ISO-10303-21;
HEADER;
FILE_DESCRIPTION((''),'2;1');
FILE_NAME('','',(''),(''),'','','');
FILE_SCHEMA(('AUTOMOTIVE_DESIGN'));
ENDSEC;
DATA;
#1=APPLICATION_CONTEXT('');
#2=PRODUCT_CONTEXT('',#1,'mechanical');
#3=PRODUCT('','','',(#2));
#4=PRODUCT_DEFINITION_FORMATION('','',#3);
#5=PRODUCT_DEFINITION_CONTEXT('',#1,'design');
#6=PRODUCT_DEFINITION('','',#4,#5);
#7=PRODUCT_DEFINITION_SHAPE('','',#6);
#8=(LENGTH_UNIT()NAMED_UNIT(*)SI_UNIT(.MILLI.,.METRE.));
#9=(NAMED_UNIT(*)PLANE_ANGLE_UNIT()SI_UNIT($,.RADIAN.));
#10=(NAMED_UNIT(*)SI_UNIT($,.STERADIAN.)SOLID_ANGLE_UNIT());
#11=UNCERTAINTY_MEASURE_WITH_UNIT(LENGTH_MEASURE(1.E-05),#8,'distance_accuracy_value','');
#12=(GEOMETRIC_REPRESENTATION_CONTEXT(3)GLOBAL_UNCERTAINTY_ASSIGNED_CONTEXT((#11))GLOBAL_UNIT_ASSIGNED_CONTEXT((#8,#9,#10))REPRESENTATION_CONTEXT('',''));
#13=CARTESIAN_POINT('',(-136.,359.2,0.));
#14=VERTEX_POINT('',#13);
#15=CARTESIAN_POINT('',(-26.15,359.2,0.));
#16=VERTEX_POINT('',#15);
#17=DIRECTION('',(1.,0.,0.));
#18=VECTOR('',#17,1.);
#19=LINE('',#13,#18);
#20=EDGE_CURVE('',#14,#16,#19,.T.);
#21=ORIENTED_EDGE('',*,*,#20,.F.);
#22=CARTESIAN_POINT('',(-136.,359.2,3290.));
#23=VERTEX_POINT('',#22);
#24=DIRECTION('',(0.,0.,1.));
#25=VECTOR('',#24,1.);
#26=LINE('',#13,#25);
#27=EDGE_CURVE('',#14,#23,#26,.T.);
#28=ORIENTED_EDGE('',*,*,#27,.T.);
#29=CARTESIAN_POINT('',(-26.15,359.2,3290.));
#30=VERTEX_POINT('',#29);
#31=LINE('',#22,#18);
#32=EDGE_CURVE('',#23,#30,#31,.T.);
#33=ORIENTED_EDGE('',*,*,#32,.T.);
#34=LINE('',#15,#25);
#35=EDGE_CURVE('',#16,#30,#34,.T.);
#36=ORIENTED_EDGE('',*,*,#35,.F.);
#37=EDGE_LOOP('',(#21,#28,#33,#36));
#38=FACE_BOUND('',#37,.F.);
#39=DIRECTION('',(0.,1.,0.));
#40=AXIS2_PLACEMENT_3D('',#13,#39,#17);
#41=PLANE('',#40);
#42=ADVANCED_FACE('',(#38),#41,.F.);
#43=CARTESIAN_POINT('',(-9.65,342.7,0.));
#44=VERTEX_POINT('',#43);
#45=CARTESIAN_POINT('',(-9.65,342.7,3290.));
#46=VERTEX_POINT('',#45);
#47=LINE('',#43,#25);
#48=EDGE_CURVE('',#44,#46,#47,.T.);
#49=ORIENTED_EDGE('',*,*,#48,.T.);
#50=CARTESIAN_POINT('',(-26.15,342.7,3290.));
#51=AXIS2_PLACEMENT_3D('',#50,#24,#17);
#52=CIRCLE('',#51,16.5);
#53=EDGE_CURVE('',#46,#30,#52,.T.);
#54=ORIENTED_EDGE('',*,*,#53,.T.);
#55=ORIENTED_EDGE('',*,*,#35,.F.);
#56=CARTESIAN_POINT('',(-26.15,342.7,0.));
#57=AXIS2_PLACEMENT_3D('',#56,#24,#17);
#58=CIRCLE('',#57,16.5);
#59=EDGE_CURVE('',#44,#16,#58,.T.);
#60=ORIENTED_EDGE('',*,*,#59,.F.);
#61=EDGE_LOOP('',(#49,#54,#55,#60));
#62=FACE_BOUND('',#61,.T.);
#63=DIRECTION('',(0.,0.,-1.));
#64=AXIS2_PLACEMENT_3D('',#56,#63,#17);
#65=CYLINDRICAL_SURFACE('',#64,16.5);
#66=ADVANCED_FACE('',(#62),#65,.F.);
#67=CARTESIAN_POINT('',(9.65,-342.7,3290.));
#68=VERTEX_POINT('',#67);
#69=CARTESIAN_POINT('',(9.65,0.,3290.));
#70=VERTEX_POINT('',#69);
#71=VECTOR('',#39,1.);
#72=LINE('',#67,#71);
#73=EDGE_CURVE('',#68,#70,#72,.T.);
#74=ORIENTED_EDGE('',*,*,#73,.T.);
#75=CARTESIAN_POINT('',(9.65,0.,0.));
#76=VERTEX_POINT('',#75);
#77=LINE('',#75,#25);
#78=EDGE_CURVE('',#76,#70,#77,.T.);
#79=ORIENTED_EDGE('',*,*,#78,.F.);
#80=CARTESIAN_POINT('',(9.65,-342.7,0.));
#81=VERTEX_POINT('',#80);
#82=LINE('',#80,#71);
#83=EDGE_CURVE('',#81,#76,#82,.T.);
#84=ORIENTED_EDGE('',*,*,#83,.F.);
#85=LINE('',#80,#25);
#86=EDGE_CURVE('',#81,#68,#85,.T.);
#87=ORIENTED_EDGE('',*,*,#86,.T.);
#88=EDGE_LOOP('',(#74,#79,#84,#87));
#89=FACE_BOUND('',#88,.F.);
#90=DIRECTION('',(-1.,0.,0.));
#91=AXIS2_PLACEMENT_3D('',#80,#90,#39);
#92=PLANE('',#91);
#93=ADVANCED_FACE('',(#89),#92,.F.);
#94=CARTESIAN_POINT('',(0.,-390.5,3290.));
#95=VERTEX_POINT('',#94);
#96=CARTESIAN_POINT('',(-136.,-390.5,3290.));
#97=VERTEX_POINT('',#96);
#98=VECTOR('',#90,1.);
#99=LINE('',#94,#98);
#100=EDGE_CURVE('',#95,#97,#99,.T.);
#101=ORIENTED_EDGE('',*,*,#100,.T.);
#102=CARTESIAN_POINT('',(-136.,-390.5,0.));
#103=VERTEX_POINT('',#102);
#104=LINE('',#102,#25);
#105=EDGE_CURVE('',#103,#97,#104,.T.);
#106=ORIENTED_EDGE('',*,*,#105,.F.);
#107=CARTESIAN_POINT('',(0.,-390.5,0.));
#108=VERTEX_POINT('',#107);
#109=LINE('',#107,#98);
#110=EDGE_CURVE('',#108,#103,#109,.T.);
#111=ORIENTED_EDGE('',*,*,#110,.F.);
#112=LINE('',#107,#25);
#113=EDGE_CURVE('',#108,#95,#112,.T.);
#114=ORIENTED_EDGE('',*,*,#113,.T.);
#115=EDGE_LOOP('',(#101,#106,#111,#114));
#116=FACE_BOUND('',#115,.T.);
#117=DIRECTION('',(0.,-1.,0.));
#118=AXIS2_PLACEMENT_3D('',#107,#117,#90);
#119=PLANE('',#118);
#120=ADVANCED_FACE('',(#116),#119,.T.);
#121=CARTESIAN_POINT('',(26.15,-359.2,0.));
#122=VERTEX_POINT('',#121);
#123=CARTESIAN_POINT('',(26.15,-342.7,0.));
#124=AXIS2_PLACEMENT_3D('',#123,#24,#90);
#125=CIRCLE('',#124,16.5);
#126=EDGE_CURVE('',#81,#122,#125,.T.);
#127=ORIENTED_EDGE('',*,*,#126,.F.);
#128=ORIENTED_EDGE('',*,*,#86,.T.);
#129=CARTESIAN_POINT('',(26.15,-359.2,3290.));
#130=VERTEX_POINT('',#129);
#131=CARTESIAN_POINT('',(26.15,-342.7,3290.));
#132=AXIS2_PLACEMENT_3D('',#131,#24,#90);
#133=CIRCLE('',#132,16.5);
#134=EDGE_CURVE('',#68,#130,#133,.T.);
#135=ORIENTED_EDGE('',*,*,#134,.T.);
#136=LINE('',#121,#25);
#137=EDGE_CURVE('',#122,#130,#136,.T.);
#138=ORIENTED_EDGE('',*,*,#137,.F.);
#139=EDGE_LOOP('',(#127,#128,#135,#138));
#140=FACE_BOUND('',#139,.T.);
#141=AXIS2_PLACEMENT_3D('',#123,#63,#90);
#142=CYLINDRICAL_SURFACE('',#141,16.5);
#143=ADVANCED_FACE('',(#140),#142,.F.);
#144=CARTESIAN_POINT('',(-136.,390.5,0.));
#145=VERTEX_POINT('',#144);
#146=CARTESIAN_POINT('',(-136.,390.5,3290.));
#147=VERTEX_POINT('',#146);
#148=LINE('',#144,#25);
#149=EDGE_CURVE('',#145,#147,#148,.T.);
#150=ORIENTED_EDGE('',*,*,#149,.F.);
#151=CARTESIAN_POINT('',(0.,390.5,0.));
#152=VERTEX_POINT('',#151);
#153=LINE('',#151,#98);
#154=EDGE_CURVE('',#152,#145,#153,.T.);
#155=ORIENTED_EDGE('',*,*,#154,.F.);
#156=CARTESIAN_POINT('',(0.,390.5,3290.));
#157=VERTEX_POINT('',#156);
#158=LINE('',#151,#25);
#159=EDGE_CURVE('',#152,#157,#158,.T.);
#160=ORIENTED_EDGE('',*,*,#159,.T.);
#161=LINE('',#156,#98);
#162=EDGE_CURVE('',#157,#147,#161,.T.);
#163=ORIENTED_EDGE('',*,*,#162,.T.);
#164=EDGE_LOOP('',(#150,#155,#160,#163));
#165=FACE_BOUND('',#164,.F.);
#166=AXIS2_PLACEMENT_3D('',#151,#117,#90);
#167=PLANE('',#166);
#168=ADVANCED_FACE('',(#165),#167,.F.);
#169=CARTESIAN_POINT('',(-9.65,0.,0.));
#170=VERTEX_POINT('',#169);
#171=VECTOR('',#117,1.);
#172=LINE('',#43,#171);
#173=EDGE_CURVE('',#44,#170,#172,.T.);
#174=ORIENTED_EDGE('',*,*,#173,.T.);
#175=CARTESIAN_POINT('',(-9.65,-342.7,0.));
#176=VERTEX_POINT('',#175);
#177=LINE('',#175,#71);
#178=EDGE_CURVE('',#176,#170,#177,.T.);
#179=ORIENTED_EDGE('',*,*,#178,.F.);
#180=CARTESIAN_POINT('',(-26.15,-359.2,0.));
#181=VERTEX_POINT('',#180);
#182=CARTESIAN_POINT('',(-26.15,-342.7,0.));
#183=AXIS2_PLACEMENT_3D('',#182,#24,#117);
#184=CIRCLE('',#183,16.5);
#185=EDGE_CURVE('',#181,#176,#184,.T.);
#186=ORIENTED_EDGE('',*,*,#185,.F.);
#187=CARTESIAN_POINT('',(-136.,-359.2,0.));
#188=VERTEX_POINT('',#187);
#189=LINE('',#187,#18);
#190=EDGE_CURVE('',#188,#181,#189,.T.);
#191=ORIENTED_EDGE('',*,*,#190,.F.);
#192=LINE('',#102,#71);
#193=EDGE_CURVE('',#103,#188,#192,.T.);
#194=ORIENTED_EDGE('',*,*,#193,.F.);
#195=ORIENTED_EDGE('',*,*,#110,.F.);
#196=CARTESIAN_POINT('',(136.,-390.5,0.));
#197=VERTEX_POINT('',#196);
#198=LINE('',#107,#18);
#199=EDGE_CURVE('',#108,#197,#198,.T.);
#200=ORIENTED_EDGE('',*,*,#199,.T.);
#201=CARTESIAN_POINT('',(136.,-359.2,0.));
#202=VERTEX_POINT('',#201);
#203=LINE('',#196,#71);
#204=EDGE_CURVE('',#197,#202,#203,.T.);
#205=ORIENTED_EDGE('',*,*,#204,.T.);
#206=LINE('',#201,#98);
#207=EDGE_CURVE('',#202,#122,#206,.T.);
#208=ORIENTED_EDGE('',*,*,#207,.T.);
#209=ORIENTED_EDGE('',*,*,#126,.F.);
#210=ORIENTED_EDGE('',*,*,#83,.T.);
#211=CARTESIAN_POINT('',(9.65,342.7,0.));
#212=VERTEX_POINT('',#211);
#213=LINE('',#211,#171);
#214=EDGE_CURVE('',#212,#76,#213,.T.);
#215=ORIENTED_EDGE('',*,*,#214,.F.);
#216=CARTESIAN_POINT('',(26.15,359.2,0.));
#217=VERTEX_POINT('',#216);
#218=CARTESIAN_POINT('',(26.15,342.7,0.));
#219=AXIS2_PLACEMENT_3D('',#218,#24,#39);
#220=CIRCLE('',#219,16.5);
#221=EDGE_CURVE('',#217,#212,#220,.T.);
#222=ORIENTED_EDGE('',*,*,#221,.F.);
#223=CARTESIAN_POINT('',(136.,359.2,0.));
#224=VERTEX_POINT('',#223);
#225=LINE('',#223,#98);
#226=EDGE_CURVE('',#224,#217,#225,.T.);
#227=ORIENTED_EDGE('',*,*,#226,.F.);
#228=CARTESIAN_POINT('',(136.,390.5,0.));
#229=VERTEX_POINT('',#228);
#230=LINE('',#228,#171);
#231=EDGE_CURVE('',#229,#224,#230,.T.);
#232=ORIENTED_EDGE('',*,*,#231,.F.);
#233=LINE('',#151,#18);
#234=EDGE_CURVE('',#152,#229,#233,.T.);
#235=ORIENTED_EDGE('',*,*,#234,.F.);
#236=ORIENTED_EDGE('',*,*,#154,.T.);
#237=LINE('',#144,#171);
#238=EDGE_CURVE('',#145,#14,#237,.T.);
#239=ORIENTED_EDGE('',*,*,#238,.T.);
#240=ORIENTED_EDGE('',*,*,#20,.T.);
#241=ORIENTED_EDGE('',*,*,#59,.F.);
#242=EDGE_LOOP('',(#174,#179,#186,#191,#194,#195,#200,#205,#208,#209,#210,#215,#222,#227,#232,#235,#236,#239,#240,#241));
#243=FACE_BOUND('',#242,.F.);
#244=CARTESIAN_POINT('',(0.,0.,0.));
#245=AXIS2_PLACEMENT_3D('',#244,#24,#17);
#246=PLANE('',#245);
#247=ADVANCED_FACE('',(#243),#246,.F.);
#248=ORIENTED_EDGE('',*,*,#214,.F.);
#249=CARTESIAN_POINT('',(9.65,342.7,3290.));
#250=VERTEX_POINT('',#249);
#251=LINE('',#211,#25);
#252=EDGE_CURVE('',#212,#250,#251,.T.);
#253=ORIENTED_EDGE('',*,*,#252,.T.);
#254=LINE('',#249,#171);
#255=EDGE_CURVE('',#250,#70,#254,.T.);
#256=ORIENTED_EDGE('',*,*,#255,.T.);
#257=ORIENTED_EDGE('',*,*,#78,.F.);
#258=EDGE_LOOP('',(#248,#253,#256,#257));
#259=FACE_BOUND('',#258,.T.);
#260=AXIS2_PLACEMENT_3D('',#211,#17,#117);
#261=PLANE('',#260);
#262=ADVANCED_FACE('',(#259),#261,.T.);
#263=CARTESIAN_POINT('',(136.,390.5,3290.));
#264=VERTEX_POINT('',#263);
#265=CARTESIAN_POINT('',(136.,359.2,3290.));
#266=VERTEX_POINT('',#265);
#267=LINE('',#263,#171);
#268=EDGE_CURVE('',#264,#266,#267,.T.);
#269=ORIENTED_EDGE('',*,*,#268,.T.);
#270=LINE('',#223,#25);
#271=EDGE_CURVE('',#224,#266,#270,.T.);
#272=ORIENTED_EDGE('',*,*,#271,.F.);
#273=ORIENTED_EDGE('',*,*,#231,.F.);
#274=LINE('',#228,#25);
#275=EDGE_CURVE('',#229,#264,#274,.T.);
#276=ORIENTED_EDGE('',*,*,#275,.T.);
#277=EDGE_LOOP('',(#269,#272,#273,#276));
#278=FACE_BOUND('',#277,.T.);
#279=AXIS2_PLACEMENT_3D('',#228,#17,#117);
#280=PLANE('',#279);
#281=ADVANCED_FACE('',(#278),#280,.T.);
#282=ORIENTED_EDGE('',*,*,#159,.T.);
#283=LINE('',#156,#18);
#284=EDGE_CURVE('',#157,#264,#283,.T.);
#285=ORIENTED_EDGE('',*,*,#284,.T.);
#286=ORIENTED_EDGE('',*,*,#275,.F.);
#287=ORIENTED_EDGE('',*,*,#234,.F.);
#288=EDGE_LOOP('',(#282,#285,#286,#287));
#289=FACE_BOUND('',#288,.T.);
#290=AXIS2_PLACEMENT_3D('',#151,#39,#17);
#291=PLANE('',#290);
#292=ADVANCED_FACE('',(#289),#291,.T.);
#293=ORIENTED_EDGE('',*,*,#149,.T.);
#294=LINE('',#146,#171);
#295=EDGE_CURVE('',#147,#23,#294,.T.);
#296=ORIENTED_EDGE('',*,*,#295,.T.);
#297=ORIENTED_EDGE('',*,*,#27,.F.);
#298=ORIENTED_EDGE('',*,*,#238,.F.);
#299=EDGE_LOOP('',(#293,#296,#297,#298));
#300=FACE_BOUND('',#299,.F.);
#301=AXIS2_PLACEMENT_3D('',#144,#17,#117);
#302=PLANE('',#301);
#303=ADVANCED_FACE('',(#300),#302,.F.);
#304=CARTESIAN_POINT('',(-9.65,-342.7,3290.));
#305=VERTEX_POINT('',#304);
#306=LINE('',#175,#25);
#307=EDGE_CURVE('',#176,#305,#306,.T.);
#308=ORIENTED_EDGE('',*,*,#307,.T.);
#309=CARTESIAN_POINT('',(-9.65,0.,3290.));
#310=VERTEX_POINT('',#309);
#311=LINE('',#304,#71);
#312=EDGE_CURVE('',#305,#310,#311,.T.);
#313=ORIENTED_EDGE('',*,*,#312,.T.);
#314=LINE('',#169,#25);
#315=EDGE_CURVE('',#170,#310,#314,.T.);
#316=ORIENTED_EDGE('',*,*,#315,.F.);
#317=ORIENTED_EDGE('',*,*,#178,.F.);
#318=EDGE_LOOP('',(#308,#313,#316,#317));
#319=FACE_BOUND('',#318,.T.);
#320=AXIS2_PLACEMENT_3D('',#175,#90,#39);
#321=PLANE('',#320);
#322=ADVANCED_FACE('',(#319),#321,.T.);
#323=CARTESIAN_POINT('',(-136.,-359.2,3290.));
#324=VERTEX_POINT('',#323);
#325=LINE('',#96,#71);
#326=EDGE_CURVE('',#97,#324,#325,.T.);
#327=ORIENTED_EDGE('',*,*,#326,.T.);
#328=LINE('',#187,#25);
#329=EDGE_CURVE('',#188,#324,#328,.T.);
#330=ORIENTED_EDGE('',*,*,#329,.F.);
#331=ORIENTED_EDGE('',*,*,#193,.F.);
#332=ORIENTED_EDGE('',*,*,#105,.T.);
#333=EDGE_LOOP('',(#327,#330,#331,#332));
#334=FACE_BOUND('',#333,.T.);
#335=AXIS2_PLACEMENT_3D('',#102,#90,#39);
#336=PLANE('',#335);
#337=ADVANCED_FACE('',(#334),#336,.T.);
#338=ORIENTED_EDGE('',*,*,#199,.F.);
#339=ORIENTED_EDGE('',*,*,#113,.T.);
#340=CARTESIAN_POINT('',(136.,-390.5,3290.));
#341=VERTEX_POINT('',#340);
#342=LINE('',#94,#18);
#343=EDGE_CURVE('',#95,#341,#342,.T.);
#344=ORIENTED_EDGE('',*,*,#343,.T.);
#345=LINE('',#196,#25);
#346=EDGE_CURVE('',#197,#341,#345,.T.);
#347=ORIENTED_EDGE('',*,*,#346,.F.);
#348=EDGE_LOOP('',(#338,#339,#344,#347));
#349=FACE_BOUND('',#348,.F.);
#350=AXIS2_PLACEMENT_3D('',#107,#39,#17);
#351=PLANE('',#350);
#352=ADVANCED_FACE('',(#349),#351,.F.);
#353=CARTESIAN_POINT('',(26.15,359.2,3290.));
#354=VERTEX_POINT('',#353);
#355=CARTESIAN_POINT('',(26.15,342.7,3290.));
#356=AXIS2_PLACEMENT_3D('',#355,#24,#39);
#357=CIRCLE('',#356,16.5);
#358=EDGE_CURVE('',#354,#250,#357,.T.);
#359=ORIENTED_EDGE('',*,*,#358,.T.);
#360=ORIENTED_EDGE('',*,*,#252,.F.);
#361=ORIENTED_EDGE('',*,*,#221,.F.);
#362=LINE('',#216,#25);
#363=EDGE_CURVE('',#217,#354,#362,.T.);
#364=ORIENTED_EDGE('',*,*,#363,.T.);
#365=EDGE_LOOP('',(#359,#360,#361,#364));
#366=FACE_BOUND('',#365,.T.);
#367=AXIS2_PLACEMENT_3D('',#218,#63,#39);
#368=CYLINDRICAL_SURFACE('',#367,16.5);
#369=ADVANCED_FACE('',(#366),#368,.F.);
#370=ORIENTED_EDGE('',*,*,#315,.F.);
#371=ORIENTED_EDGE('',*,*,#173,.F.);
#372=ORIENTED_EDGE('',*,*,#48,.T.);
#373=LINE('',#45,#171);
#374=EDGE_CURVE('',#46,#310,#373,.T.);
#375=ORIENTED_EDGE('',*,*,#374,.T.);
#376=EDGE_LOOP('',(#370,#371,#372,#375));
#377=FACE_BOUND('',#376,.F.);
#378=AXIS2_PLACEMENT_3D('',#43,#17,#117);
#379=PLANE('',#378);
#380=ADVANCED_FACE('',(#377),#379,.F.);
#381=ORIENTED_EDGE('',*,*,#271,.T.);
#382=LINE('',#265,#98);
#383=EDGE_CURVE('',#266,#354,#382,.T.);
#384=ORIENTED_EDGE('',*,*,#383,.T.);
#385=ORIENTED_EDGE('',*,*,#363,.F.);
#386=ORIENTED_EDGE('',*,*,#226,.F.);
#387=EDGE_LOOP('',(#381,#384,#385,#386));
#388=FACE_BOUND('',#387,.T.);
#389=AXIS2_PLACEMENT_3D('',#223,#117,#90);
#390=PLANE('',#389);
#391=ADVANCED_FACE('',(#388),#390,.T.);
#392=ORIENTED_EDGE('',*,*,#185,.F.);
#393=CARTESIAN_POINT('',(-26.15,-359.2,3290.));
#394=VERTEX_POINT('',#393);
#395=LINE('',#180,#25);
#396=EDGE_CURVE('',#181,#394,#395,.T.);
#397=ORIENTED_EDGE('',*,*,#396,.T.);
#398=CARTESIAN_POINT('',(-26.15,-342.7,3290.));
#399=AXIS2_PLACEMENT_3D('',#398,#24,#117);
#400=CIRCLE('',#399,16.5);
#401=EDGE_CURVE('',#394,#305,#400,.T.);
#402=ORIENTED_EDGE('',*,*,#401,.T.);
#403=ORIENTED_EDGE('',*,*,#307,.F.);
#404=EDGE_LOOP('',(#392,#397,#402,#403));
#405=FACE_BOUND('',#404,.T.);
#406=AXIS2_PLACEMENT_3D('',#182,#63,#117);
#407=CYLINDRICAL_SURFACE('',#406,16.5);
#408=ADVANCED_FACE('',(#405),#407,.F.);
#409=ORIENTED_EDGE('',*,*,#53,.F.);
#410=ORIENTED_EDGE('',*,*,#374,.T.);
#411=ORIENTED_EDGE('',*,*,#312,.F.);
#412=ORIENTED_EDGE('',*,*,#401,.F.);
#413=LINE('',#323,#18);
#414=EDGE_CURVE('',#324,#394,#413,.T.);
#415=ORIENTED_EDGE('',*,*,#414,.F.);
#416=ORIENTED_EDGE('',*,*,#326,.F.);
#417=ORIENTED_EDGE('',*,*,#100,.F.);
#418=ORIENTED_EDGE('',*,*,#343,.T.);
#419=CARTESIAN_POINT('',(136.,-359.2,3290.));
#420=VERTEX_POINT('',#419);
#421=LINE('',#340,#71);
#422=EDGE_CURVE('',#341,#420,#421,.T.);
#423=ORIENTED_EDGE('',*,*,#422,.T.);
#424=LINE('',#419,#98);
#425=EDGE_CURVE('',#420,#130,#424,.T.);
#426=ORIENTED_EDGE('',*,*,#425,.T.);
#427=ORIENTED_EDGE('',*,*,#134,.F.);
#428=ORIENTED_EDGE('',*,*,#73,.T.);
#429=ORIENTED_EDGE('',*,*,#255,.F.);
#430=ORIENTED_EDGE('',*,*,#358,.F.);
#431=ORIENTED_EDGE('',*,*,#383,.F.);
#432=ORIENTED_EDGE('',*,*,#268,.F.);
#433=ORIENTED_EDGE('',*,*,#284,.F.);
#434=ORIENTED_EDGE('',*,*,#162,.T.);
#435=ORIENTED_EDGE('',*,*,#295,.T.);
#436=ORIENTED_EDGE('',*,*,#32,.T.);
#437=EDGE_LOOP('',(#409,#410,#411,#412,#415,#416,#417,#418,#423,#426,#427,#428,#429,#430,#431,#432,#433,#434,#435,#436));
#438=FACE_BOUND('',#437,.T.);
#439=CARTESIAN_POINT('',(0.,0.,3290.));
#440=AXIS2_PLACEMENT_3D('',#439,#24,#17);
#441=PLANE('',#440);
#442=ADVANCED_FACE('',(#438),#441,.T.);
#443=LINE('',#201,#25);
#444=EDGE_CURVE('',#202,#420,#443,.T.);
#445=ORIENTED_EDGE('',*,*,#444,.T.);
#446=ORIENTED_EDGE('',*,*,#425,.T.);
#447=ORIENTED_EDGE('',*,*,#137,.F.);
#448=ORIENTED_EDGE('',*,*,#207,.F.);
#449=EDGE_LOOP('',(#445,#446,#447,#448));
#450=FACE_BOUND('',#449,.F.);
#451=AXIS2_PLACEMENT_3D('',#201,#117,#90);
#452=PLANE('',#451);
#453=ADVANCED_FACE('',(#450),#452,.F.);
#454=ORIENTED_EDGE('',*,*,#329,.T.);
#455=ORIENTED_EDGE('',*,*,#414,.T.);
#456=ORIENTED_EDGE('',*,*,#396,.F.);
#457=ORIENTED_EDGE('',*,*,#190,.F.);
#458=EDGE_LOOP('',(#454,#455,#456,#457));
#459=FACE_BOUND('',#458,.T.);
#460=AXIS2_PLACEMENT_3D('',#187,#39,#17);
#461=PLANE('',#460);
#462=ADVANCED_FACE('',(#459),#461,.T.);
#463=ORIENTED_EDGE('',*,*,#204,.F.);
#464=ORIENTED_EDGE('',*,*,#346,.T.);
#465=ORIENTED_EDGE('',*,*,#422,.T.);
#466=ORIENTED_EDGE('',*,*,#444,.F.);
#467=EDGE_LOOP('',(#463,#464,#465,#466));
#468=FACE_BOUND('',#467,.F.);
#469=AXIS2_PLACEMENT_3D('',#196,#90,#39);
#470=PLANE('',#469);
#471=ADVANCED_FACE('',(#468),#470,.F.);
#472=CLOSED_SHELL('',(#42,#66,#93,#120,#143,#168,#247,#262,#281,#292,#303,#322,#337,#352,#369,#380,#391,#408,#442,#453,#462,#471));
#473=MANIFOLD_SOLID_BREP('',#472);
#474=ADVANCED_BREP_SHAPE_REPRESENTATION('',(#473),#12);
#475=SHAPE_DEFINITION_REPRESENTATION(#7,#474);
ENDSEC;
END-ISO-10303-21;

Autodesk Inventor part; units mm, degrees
ref_plane "YZ Plane" through (0, 0, 0) normal (1, 0, 0) x (0, 1, 0)
ref_plane "Start plane" through (0, 0, 0) normal (0, 0, 1) x (1, 0, 0)
ref_plane "End plane" through (0, 0, 3290) normal (0, 0, 1) x (1, 0, 0)
sketch "Sketch" plane through (0, 0, 0) normal (0, 0, 1) x (1, 0, 0)
  line L0 (-136, -390.5) -> (-136, -359.2)
  line L1 (-136, -359.2) -> (-26.15, -359.2)
  line L2 (-9.65, -342.7) -> (-9.65, 0)
  line L3 (-9.65, 0) -> (0, 0) construction
  line L4 (0, 0) -> (0, -390.5) construction
  line L5 (0, -390.5) -> (-136, -390.5)
  line L6 (-60, 0) -> (80, 0) construction
  line L7 (0, -60) -> (0, 80) construction
  line L8 (136, -390.5) -> (136, -359.2)
  line L9 (136, -359.2) -> (26.15, -359.2)
  line L10 (9.65, -342.7) -> (9.65, 0)
  line L11 (9.65, 0) -> (0, 0) construction
  line L12 (0, -390.5) -> (136, -390.5)
  line L13 (-136, 390.5) -> (-136, 359.2)
  line L14 (-136, 359.2) -> (-26.15, 359.2)
  line L15 (-9.65, 342.7) -> (-9.65, 0)
  line L16 (0, 390.5) -> (-136, 390.5)
  line L17 (136, 390.5) -> (136, 359.2)
  line L18 (136, 359.2) -> (26.15, 359.2)
  line L19 (0, 390.5) -> (136, 390.5)
  line L20 (9.65, 342.7) -> (9.65, 0)
  arc A0 (-9.65, 342.7) -> (-26.15, 359.2) centre (-26.15, 342.7) ccw
  arc A1 (26.15, 359.2) -> (9.65, 342.7) centre (26.15, 342.7) ccw
  arc A2 (9.65, -342.7) -> (26.15, -359.2) centre (26.15, -342.7) ccw
  arc A3 (-26.15, -359.2) -> (-9.65, -342.7) centre (-26.15, -342.7) ccw
  line L21 (0, 108) -> (0, -88) construction
  line L22 (-88, 0) -> (108, 0) construction
  point P0 (-9.65, -359.2)
  point P1 (9.65, -359.2)
  point P2 (-9.65, 359.2)
  point P3 (9.65, 359.2)
  dimension "d1" = 390.5
  dimension "d2" = 31.3
  dimension "d3" = 136
  dimension "d4" = 9.65
  dimension "d10" = 16.5
extrude "Body" add sketch "Sketch" along normal up to surface (3290 mm away) from surface at 0
sketch "Sketch4" plane through (0, 0, 0) normal (0, 0, 1) x (1, 0, 0)
  line L0 (0, 0) -> (10, 0)
ref_plane "Work Plane3" through (0, 0, 0) normal (0, -1, 0) x (1, 0, 0)
sketch "Sketch5" plane through (0, 0, 0) normal (0, -1, 0) x (1, 0, 0)
  line L0 (-2, 0) -> (12, 0) projected
  line L1 (-2, 3290) -> (12, 3290) projected
  dimension "d14" = 3290
equation "\"d1\" = 0.5 * G_H"
equation "\"d2\" = G_T1"
equation "\"d3\" = 0.5 * G_W"
equation "\"d4\" = 0.5 * G_T"
equation "\"d10\" = G_IR"
equation "\"d5\" = G_L"
equation "\"G_W\" = 272"
equation "\"G_H\" = 781"
equation "\"G_T\" = 19.3"
equation "\"G_T1\" = 31.3"
equation "\"G_IR\" = 16.5"
equation "\"G_L\" = d14"
equation "\"G_OFFSET_START\" = 0"
equation "\"G_OFFSET_END\" = 0"
properties part number "AS 3679-1990 - 760 UB - 244 - 3290" material "Steel, Mild"
